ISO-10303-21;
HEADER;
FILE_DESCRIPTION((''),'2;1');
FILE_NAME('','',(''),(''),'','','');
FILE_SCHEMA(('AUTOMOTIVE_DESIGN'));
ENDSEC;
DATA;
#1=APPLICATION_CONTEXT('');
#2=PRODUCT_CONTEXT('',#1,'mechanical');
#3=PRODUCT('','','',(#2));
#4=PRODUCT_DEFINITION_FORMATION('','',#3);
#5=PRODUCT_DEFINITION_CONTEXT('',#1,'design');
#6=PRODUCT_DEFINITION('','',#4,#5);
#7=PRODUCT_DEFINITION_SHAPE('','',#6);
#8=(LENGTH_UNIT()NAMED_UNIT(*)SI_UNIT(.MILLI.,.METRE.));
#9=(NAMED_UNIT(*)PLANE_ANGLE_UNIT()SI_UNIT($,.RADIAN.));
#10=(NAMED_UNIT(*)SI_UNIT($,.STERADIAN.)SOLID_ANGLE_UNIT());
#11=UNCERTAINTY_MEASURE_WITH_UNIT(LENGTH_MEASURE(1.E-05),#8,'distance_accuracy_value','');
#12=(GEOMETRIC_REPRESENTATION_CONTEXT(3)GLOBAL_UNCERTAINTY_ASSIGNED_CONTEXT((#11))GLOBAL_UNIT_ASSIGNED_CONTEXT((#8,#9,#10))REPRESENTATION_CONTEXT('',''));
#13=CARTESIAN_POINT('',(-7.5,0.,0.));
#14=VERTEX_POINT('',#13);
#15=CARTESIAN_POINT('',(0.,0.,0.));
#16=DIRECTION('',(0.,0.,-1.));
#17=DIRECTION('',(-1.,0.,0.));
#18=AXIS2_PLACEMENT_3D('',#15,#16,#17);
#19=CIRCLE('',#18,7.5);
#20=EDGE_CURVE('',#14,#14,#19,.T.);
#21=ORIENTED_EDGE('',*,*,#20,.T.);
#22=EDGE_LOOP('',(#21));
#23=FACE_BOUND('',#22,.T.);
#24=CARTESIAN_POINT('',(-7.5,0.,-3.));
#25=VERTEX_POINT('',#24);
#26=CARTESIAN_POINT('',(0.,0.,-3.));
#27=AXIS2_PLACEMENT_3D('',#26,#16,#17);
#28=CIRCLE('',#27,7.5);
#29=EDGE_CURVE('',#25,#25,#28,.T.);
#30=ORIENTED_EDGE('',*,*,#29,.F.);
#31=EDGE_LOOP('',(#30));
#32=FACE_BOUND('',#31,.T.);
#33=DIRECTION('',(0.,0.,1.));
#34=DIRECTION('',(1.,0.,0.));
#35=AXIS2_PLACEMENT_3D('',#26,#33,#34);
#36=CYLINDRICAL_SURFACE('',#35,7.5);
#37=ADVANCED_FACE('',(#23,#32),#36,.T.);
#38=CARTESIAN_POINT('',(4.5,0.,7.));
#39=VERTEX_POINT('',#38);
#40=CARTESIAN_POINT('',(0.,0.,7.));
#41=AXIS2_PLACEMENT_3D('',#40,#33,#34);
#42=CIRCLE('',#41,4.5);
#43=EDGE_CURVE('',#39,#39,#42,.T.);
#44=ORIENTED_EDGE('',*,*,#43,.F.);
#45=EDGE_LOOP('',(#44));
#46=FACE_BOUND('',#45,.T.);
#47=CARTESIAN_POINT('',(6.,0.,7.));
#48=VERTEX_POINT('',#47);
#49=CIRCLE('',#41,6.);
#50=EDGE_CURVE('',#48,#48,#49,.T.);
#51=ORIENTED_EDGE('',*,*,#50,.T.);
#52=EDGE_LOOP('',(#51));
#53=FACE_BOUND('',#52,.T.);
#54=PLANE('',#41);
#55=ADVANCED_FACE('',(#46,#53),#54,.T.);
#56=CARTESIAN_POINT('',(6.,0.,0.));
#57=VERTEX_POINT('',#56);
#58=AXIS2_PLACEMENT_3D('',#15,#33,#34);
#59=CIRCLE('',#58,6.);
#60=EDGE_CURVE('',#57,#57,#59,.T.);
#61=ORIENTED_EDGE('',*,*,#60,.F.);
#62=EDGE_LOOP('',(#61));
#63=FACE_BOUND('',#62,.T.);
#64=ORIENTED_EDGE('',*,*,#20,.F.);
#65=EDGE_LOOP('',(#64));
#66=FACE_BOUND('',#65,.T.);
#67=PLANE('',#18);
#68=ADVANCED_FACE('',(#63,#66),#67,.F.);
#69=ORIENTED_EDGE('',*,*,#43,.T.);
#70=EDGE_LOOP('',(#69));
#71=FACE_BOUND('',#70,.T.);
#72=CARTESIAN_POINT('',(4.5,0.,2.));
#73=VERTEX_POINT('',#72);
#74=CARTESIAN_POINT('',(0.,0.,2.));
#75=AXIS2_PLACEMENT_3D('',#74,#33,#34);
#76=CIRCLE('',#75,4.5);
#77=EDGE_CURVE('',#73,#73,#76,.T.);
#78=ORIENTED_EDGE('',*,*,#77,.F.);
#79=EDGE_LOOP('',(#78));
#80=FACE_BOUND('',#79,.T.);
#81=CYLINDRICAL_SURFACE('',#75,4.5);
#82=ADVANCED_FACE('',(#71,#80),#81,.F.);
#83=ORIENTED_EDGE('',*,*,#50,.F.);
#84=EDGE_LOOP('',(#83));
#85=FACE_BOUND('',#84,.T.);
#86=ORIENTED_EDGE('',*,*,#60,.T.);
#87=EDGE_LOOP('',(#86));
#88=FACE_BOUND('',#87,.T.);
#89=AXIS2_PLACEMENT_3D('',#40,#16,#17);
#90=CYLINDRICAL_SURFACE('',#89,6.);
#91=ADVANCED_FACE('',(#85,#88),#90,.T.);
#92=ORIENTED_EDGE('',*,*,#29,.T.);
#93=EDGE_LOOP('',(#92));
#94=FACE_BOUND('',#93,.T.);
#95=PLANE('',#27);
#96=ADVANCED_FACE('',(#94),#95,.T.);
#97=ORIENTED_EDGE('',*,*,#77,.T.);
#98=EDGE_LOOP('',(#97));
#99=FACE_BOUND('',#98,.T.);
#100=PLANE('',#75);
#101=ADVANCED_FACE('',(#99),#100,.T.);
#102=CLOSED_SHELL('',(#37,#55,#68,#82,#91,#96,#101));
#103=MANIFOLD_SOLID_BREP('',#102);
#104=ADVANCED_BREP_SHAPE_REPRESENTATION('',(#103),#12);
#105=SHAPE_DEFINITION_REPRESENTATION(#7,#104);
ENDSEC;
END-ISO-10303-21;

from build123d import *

# Parameters (mm, degrees)
SCHIZZO1_R                   = 6
ESTRUSIONE_ESTRUSIONE1_DEPTH = 7
SCHIZZO2_R                   = 4.5
TAGLIO_ESTRUSIONE1_DEPTH     = 5
SCHIZZO3_R                   = 7.5
ESTRUSIONE_ESTRUSIONE2_DEPTH = 3


with BuildPart() as part:
    # Schizzo1 → Estrusione-Estrusione1 (new body)
    with BuildSketch(Plane.XY):
        Circle(SCHIZZO1_R)
    extrude(amount=ESTRUSIONE_ESTRUSIONE1_DEPTH)

    # Schizzo2 → Taglio-Estrusione1 (cut)
    with BuildSketch(Plane.XY.offset(7)):
        Circle(SCHIZZO2_R)
    extrude(amount=-TAGLIO_ESTRUSIONE1_DEPTH, mode=Mode.SUBTRACT)

    # Schizzo3 → Estrusione-Estrusione2 (add)
    with BuildSketch(Plane(origin=(0, 0, 0), x_dir=(-1, 0, 0), z_dir=(0, 0, -1))):
        Circle(SCHIZZO3_R)
    extrude(amount=ESTRUSIONE_ESTRUSIONE2_DEPTH)


solid = part.part
